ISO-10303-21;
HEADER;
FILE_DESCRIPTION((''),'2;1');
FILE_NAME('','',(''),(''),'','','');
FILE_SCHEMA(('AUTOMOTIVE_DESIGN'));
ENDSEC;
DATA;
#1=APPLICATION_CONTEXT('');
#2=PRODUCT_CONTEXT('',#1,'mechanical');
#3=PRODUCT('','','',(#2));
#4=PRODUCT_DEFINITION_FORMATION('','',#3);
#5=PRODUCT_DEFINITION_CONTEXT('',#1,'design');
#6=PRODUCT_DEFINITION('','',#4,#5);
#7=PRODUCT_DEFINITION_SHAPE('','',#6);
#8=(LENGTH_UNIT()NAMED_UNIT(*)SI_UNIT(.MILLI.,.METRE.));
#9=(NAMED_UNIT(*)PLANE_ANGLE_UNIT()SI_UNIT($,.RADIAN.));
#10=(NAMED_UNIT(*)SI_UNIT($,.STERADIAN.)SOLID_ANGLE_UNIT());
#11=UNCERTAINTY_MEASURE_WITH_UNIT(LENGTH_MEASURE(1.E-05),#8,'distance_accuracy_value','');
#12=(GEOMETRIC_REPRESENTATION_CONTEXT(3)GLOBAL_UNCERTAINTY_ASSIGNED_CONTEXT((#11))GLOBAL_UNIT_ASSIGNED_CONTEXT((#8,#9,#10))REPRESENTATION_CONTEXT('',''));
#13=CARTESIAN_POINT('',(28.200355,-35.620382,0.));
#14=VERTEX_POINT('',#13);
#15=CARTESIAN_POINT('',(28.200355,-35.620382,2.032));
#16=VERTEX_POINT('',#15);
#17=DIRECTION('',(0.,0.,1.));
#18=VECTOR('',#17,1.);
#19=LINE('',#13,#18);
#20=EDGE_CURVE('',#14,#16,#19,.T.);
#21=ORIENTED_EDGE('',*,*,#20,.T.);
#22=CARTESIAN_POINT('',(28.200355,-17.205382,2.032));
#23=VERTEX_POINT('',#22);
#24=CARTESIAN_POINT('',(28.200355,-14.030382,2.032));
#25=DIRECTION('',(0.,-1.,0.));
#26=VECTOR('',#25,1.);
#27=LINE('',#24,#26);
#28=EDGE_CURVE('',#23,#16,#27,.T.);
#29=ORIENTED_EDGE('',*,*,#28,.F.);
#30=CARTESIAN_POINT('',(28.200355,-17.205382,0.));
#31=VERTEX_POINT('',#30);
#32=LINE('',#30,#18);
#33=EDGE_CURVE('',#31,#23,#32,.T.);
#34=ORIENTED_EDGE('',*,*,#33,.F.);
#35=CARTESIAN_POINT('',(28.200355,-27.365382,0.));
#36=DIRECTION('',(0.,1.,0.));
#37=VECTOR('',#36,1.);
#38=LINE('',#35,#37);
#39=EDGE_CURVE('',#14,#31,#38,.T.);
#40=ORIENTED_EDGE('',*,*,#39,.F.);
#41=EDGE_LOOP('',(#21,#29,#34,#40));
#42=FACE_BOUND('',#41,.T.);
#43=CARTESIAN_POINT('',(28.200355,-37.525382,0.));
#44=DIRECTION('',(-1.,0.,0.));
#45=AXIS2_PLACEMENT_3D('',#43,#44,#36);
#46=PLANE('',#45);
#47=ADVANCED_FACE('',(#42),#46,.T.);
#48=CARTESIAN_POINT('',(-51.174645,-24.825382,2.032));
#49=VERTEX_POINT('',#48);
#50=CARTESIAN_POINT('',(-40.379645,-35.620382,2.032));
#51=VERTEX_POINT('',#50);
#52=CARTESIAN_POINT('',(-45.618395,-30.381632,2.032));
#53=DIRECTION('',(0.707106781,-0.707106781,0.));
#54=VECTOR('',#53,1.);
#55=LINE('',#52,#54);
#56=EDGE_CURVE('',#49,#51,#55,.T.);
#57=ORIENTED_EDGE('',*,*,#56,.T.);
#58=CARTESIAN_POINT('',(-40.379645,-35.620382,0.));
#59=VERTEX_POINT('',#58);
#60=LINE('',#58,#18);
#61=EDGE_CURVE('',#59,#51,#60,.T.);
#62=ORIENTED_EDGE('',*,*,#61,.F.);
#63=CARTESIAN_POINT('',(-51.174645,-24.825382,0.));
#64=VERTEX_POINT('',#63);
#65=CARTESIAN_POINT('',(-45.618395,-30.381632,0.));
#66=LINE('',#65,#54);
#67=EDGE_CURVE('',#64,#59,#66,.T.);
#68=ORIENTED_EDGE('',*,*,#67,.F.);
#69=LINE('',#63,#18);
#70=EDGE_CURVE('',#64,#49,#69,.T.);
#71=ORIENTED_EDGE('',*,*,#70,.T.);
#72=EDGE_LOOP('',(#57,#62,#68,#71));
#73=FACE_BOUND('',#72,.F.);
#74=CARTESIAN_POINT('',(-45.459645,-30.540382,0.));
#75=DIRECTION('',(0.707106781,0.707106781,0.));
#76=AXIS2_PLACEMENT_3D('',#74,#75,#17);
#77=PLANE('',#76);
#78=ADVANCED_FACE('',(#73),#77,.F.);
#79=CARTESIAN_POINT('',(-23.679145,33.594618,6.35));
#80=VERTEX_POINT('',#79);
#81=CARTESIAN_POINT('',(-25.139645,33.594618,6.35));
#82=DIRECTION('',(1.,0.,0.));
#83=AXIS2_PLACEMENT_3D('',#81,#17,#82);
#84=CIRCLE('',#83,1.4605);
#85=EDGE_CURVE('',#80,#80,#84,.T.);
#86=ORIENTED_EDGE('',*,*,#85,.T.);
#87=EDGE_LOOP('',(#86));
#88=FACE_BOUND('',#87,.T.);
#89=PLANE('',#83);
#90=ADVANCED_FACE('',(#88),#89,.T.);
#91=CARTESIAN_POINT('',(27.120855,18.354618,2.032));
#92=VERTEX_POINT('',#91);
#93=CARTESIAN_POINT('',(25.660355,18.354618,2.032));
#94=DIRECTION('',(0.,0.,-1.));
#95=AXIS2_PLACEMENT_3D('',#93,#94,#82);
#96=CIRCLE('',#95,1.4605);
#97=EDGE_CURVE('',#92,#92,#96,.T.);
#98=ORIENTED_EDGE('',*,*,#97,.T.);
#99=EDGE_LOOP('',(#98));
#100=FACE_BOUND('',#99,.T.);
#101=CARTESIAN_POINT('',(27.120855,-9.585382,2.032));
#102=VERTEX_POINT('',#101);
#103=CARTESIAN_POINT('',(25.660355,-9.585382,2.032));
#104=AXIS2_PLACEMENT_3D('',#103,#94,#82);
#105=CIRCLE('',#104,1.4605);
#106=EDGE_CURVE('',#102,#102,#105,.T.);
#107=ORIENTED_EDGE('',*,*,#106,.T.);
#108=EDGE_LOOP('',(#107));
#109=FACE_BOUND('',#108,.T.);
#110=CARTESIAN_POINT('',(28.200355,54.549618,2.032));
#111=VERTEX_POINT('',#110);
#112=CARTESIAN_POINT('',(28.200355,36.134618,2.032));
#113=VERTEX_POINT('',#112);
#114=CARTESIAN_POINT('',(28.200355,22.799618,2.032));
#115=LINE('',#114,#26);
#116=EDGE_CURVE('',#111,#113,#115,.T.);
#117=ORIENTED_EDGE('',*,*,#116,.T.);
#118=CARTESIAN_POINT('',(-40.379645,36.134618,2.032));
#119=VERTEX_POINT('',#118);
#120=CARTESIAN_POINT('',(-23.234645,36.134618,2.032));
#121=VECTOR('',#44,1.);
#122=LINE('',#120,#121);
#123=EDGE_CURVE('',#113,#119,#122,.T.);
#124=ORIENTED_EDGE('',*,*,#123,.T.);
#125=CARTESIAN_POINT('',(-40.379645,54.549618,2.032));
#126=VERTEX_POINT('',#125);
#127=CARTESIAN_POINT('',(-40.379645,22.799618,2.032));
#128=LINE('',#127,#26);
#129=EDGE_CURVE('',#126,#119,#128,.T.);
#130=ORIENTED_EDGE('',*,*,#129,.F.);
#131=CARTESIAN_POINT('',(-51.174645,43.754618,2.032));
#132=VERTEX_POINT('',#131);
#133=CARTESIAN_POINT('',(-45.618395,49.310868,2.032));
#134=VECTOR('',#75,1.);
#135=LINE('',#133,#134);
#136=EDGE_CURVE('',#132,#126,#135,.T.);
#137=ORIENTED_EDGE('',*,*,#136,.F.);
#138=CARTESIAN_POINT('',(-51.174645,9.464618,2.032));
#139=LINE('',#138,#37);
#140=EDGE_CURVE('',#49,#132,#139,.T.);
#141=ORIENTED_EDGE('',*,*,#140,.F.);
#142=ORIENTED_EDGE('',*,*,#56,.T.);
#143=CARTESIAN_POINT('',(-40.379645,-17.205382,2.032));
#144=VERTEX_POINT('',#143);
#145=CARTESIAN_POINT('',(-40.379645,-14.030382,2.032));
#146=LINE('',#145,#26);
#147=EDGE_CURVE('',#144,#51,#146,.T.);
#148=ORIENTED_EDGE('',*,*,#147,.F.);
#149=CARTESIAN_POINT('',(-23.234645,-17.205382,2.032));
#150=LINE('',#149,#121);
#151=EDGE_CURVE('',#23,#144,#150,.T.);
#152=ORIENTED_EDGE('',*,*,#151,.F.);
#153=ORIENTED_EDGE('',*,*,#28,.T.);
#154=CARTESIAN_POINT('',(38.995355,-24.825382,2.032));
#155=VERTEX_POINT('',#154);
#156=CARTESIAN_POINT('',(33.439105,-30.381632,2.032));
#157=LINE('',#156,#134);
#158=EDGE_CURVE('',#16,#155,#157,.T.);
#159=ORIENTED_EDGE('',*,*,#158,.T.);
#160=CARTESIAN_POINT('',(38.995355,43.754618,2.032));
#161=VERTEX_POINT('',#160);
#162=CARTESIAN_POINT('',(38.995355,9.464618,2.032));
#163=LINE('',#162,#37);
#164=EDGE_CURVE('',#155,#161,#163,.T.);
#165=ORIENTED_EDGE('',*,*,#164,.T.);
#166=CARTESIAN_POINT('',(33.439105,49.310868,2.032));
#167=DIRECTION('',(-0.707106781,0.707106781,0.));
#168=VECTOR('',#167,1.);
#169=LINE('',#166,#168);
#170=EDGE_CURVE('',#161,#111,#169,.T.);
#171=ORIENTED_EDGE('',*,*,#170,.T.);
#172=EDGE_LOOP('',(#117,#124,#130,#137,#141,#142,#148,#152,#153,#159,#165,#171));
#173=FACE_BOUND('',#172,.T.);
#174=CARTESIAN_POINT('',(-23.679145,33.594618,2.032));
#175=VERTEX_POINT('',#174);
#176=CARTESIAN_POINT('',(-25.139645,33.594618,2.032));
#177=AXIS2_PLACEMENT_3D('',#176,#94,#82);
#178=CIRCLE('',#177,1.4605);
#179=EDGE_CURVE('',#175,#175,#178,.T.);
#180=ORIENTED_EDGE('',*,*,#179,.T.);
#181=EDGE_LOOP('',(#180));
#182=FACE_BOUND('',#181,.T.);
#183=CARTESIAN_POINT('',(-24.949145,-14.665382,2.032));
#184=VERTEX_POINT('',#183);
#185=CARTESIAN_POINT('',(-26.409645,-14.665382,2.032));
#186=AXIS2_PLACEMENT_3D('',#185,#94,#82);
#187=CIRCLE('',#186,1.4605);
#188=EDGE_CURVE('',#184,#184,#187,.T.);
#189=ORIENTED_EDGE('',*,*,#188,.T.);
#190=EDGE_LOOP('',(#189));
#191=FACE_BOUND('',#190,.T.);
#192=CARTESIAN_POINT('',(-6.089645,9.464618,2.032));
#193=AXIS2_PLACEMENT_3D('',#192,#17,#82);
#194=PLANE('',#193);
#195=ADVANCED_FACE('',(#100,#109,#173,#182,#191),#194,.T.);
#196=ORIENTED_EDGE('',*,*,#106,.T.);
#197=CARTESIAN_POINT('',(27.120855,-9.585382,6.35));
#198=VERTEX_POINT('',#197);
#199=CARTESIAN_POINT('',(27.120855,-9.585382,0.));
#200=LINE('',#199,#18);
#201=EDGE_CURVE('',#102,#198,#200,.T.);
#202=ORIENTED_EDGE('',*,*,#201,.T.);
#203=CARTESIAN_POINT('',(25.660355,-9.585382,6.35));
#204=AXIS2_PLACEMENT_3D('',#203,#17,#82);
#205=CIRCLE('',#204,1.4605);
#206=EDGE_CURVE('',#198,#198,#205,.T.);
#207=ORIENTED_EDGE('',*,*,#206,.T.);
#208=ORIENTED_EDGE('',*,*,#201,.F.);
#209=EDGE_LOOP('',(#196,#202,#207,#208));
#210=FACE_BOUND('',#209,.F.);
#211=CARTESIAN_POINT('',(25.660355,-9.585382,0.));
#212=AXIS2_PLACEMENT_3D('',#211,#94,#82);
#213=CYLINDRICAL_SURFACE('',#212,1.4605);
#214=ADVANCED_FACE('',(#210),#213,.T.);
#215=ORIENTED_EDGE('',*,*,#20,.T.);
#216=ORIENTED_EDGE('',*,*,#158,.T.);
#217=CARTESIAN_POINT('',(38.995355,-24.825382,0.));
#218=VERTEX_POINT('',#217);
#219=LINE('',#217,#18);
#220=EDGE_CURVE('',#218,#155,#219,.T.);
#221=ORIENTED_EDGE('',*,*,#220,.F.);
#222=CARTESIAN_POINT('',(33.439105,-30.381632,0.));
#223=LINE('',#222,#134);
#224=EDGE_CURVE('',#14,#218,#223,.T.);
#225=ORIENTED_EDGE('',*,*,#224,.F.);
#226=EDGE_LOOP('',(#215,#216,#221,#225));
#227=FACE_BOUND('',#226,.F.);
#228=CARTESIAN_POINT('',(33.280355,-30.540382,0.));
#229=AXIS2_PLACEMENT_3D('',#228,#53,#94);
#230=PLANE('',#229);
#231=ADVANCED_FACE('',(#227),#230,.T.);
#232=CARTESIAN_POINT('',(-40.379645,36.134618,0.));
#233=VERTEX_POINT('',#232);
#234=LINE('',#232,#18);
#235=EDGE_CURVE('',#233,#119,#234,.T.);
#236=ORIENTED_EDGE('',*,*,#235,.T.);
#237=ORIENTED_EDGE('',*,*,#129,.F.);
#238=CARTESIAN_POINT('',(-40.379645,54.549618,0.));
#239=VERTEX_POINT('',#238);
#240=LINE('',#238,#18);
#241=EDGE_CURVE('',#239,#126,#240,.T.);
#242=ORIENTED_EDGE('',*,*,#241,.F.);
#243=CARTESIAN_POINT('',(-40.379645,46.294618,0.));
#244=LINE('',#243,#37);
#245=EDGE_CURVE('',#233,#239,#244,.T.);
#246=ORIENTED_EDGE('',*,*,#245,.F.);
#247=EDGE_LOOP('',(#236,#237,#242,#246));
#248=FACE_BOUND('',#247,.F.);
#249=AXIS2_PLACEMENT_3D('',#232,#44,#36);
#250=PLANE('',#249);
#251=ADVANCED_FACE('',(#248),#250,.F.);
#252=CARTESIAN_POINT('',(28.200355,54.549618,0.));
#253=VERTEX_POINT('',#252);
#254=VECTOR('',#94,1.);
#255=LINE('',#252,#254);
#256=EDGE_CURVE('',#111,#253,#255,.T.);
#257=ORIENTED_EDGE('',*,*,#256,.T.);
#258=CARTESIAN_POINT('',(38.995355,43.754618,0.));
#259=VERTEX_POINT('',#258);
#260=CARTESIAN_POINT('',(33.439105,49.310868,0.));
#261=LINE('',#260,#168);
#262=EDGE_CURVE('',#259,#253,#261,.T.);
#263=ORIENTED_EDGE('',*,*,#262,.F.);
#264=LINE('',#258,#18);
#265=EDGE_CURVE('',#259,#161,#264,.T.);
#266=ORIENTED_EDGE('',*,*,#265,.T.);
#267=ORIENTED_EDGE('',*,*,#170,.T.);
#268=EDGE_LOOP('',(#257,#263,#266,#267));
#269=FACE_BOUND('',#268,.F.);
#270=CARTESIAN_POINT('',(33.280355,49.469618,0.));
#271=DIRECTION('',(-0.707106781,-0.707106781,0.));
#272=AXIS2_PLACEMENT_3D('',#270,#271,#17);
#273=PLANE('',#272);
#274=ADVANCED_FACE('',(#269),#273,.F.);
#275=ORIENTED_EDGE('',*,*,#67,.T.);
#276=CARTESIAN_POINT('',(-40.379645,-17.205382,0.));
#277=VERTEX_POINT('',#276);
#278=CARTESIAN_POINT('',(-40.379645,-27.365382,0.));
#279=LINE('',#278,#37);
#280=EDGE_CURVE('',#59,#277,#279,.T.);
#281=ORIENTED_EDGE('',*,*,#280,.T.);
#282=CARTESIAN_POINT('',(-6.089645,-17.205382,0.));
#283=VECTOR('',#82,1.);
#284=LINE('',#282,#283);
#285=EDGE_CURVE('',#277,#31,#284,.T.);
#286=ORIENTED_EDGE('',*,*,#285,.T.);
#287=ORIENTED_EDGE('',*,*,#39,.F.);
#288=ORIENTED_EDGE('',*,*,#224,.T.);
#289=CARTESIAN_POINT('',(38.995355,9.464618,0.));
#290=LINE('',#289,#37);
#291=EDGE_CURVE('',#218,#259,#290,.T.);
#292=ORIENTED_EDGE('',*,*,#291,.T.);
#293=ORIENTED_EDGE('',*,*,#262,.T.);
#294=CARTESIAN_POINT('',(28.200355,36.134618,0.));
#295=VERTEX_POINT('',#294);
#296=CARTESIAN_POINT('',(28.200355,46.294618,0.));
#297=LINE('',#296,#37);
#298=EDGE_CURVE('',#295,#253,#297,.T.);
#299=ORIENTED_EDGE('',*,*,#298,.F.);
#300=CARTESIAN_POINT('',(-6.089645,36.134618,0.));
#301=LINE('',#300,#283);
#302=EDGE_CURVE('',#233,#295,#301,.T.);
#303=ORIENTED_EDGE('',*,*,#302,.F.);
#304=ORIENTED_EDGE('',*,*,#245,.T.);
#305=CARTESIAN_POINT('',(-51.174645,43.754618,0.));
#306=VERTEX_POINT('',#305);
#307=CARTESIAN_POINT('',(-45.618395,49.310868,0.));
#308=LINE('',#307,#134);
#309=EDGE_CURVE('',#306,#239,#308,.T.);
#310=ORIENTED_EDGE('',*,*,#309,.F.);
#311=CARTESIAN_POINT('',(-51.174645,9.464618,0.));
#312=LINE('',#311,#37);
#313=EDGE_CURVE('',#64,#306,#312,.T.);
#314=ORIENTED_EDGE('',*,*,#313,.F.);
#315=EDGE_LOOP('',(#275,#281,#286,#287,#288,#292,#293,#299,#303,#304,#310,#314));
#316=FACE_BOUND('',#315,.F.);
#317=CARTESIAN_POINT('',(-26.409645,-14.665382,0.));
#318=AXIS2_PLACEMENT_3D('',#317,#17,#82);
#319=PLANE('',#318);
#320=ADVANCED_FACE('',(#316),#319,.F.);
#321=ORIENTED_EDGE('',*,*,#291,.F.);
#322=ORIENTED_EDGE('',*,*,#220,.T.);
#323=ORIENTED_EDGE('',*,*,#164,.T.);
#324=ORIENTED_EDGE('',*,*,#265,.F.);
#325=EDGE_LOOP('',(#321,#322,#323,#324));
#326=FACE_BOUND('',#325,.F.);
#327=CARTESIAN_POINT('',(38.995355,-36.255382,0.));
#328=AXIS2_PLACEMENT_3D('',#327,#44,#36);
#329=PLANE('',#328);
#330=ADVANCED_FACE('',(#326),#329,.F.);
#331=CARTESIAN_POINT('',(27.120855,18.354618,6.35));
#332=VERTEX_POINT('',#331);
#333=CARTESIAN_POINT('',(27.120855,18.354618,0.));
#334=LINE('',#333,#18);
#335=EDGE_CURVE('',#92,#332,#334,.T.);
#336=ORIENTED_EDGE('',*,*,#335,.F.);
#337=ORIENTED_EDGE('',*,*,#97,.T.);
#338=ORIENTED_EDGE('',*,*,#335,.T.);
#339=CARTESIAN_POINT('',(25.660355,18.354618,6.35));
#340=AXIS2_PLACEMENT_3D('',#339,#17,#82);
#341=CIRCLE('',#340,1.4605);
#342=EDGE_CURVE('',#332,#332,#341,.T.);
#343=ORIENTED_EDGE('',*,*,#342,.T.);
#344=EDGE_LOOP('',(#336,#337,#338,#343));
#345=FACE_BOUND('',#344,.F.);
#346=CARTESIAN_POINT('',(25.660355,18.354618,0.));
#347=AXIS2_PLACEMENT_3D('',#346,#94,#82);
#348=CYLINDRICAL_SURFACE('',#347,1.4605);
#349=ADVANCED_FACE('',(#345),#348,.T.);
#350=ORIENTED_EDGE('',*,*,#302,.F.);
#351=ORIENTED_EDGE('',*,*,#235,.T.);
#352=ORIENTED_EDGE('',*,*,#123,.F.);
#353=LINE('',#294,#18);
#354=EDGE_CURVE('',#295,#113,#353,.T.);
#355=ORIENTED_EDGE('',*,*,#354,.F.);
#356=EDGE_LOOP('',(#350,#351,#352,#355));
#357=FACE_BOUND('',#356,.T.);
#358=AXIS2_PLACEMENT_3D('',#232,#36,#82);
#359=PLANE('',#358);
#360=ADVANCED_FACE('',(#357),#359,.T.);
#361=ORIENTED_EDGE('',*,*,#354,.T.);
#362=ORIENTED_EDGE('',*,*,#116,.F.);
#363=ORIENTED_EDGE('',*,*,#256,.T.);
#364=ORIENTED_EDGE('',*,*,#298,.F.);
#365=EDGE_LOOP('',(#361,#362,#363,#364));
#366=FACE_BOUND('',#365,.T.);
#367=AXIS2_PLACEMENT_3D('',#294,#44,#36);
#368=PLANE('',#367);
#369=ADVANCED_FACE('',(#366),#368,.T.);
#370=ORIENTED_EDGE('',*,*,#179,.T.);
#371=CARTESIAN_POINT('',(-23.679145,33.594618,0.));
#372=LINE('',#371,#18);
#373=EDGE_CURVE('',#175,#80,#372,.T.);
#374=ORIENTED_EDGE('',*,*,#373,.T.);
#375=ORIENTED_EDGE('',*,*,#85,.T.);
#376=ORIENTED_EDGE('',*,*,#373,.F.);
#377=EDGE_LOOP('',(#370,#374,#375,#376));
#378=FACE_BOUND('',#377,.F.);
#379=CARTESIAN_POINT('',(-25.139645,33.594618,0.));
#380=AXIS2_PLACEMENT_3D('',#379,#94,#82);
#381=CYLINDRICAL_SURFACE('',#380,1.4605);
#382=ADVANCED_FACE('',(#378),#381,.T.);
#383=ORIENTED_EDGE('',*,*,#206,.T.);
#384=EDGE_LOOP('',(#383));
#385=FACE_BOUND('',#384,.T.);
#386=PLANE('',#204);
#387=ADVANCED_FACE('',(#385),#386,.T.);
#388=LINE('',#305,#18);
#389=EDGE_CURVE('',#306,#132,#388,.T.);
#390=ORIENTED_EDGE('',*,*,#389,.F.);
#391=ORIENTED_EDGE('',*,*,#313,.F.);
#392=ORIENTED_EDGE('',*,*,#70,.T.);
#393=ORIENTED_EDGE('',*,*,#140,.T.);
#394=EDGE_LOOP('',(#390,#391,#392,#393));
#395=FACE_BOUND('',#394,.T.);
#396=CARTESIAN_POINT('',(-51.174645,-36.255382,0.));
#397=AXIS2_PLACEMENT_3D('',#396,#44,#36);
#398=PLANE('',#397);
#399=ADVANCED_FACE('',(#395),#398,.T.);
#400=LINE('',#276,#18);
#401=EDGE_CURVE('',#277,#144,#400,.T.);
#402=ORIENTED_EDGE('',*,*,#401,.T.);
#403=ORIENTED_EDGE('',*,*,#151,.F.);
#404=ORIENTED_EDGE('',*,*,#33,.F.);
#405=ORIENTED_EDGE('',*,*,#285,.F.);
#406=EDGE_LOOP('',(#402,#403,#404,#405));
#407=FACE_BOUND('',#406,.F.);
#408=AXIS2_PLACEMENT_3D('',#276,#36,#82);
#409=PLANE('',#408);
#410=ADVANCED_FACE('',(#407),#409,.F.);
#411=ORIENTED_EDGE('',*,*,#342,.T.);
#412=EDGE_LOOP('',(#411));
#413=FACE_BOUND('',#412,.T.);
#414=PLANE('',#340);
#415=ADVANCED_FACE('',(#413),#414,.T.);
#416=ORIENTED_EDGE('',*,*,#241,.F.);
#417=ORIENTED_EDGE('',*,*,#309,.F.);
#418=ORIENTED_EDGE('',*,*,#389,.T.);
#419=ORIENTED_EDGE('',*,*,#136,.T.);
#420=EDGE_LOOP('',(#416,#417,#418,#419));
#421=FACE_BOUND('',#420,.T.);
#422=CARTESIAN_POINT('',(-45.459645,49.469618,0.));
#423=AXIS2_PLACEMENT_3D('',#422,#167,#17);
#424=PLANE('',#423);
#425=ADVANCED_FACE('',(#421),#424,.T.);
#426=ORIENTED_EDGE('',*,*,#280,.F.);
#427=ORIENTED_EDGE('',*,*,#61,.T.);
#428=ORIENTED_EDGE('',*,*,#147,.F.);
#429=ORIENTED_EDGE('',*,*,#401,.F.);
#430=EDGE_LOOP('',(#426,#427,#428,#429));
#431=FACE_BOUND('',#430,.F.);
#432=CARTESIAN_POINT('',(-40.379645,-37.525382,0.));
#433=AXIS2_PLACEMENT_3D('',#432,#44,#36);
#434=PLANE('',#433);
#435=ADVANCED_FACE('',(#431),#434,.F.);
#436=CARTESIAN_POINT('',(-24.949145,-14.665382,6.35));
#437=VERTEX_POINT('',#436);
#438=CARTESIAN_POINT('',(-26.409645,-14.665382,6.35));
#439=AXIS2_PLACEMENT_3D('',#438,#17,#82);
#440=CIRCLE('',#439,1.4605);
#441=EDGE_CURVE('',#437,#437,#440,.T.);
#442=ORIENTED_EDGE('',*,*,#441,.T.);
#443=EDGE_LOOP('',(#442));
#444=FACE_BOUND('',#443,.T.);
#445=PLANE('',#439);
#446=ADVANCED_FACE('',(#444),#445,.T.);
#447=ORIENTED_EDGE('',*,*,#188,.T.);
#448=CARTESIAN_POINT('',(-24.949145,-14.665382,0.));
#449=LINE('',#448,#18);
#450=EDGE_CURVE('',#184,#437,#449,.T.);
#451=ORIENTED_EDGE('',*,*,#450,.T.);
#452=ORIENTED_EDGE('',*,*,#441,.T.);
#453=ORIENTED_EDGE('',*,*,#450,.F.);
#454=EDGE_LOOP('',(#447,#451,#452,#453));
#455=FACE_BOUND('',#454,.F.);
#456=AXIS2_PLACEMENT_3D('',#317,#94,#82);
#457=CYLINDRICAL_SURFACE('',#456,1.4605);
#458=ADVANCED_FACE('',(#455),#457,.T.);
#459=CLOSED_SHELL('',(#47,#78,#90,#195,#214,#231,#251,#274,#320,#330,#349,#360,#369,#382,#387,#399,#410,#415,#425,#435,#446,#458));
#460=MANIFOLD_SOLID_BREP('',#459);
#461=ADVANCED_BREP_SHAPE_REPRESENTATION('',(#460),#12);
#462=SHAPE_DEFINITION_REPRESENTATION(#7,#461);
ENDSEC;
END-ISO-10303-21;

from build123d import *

# Parameters (mm, degrees)
F0_W     = 90.17
F0_H     = 91.44
F1_DEPTH = 2.032
F2_SIZE  = 11.43
F3_W     = 68.58
F3_H     = 20.32
F4_DEPTH = 25.4
F5_R     = 1.4605
F6_DEPTH = 6.35


with BuildPart() as f1:
    # F0 (on Top) → F1 (new body)
    with BuildSketch(Plane.XY):
        with Locations((-6.089645, 9.464618)):
            Rectangle(F0_W, F0_H)
    extrude(amount=F1_DEPTH)

    # F2
    f2_edges = [f1.edges().sort_by_distance(p)[0] for p in [
        (-51.174645, 55.184618, 1.016),
        (-51.174645, -36.255382, 1.016),
        (38.995355, 55.184618, 1.016),
        (38.995355, -36.255382, 1.016),
    ]]
    chamfer(f2_edges, length=F2_SIZE)

    # F3 (on Top) → F4 (cut)
    with BuildSketch(Plane.XY):
        with Locations((-6.089645, -27.365382)):
            Rectangle(F3_W, F3_H)
        with Locations((-6.089645, 46.294618)):
            Rectangle(F3_W, F3_H)
    extrude(amount=F4_DEPTH, mode=Mode.SUBTRACT)

    # F5 (on Top) → F6 (join)
    with BuildSketch(Plane.XY):
        with Locations((-26.409645, -14.665382)):
            Circle(F5_R)
        with Locations((25.660355, -9.585382)):
            Circle(F5_R)
        with Locations((25.660355, 18.354618)):
            Circle(F5_R)
        with Locations((-25.139645, 33.594618)):
            Circle(F5_R)
    extrude(amount=F6_DEPTH)


solid = f1.part
